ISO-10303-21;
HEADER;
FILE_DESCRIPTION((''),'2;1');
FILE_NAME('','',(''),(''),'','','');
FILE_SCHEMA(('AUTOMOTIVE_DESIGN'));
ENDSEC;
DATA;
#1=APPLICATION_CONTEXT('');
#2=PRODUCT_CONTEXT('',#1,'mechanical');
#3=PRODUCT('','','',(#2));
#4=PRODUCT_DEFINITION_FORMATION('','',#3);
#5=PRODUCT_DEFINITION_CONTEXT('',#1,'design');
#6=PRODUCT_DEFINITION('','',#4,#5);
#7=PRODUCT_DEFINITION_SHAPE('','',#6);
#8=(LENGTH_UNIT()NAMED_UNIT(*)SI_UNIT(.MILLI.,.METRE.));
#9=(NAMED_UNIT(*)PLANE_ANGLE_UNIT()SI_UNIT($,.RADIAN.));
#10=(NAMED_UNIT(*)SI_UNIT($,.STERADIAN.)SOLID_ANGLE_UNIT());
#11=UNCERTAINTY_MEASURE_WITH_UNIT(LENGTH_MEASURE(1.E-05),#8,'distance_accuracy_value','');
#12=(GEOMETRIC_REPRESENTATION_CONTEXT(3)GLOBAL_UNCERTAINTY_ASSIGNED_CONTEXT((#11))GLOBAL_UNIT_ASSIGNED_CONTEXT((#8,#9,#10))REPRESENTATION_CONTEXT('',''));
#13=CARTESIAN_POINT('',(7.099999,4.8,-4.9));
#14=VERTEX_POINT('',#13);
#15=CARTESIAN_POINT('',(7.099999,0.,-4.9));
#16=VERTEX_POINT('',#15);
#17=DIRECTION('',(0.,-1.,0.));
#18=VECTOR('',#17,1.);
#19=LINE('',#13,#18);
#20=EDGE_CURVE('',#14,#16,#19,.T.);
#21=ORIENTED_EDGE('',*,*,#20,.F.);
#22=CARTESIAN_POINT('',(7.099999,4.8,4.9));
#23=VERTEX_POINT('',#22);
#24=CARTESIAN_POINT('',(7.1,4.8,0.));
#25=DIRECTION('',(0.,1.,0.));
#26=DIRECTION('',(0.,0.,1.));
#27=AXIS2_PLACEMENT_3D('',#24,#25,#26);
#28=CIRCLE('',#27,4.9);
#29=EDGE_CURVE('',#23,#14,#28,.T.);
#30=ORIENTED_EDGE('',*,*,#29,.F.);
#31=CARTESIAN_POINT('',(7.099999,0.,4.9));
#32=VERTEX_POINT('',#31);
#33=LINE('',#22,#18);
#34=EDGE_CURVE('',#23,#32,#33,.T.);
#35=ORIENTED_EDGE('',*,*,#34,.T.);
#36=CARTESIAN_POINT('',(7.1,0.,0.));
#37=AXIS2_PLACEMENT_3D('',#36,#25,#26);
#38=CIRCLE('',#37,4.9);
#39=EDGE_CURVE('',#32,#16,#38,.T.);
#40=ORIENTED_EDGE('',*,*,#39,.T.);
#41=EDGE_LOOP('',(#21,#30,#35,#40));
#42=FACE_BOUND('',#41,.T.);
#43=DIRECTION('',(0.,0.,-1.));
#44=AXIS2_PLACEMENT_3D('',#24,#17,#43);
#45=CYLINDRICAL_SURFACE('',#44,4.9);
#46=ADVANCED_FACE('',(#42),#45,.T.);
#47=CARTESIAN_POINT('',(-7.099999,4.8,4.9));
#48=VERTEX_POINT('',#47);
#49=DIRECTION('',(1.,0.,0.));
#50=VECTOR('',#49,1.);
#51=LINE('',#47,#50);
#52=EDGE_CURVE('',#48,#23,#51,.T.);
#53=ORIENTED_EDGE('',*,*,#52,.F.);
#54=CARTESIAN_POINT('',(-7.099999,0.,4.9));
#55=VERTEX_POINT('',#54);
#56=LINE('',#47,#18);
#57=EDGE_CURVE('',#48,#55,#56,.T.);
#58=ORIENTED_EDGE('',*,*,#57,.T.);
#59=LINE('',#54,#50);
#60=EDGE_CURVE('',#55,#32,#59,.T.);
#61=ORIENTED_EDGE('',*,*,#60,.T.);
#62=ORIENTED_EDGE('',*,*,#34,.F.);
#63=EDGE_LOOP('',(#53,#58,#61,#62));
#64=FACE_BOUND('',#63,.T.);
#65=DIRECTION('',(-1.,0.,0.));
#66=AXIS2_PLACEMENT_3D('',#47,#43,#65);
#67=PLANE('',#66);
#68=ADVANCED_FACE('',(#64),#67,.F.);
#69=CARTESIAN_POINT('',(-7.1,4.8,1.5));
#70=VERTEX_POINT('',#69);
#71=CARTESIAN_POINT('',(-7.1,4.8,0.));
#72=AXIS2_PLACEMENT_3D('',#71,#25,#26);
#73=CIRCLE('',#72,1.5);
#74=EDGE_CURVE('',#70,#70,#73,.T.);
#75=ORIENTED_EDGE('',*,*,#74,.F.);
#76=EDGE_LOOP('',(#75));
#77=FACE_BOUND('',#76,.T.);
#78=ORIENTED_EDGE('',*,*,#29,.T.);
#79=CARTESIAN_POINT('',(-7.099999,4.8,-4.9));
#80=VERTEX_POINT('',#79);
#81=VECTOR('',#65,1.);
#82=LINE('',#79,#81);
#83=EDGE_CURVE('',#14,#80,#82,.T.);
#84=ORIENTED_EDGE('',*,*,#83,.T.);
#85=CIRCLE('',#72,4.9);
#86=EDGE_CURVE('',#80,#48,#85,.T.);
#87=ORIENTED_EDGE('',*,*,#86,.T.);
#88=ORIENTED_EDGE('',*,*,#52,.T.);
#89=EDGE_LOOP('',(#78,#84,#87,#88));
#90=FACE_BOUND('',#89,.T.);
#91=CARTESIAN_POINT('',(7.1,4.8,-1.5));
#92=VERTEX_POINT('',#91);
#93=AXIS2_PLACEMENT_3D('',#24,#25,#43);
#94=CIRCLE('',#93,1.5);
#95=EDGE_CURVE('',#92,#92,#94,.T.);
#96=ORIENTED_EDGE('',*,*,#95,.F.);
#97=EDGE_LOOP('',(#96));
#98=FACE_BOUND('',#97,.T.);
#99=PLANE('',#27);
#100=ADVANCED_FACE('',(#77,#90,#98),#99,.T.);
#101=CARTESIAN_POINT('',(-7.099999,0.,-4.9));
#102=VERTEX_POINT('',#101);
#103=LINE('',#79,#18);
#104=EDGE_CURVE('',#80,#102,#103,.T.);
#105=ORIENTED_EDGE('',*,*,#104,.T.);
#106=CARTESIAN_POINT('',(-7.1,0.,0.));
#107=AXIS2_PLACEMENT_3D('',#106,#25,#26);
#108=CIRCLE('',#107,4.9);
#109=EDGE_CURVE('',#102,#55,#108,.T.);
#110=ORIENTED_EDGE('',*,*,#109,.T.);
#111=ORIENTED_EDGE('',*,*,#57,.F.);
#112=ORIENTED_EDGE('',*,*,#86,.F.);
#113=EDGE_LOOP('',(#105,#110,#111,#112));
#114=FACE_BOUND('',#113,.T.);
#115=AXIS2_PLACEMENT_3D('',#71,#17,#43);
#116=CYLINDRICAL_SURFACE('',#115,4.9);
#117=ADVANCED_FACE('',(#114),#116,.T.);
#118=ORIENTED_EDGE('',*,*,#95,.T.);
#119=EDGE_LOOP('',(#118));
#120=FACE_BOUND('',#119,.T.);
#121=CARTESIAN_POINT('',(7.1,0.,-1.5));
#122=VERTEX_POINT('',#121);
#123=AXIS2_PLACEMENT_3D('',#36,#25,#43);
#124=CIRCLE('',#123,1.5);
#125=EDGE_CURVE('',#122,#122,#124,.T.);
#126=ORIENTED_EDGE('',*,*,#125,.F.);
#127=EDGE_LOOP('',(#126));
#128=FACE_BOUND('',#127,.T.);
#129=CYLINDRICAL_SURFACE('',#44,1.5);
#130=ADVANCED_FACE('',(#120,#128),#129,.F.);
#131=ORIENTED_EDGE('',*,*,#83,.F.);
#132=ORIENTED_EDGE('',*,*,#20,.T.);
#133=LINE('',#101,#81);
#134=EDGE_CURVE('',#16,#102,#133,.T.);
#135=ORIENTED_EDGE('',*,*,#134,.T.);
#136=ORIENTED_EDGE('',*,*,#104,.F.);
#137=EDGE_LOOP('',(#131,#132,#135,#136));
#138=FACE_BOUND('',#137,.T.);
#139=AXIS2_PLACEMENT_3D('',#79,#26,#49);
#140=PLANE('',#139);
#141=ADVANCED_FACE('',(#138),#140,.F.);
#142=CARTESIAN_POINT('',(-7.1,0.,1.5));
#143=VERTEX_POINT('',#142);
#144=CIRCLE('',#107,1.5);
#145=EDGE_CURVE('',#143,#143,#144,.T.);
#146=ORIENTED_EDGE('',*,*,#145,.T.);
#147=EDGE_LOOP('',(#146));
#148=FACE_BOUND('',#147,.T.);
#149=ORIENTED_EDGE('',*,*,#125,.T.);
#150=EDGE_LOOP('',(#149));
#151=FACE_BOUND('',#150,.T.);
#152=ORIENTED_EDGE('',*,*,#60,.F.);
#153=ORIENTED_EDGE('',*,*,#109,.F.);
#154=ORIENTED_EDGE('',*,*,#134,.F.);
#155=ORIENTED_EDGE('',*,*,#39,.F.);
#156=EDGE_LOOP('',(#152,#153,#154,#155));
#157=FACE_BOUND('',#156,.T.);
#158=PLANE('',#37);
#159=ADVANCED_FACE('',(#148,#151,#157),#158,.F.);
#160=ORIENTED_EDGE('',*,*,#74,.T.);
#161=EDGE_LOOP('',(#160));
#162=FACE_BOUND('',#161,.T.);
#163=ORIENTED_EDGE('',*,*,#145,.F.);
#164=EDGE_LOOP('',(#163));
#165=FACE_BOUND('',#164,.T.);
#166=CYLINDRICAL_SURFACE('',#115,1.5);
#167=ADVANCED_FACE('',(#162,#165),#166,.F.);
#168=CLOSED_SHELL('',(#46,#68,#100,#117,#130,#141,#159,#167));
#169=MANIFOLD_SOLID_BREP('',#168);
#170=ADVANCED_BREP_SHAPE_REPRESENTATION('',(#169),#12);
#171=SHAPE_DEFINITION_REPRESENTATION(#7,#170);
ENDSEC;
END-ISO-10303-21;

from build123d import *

# Parameters (mm, degrees)
SKETCH1_R           = 1.5
BOSS_EXTRUDE1_DEPTH = 4.8


with BuildPart() as part:
    # Sketch1 → Boss-Extrude1 (new body)
    with BuildSketch(Plane(origin=(0, 0, 0), x_dir=(1, 0, 0), z_dir=(0, 1, 0))):
        with BuildLine():
            Line((-7.099999442, 4.9), (7.099999442, 4.9))
            ThreePointArc((7.099999442, 4.9), (12, 0), (7.099999442, -4.9))
            Line((7.099999442, -4.9), (-7.099999442, -4.9))
            ThreePointArc((-7.099999442, -4.9), (-12, 0), (-7.099999442, 4.9))
        make_face()
        with Locations((-7.1, 0)):
            Circle(SKETCH1_R, mode=Mode.SUBTRACT)
        with Locations((7.1, 0)):
            Circle(SKETCH1_R, mode=Mode.SUBTRACT)
    extrude(amount=BOSS_EXTRUDE1_DEPTH)


solid = part.part
